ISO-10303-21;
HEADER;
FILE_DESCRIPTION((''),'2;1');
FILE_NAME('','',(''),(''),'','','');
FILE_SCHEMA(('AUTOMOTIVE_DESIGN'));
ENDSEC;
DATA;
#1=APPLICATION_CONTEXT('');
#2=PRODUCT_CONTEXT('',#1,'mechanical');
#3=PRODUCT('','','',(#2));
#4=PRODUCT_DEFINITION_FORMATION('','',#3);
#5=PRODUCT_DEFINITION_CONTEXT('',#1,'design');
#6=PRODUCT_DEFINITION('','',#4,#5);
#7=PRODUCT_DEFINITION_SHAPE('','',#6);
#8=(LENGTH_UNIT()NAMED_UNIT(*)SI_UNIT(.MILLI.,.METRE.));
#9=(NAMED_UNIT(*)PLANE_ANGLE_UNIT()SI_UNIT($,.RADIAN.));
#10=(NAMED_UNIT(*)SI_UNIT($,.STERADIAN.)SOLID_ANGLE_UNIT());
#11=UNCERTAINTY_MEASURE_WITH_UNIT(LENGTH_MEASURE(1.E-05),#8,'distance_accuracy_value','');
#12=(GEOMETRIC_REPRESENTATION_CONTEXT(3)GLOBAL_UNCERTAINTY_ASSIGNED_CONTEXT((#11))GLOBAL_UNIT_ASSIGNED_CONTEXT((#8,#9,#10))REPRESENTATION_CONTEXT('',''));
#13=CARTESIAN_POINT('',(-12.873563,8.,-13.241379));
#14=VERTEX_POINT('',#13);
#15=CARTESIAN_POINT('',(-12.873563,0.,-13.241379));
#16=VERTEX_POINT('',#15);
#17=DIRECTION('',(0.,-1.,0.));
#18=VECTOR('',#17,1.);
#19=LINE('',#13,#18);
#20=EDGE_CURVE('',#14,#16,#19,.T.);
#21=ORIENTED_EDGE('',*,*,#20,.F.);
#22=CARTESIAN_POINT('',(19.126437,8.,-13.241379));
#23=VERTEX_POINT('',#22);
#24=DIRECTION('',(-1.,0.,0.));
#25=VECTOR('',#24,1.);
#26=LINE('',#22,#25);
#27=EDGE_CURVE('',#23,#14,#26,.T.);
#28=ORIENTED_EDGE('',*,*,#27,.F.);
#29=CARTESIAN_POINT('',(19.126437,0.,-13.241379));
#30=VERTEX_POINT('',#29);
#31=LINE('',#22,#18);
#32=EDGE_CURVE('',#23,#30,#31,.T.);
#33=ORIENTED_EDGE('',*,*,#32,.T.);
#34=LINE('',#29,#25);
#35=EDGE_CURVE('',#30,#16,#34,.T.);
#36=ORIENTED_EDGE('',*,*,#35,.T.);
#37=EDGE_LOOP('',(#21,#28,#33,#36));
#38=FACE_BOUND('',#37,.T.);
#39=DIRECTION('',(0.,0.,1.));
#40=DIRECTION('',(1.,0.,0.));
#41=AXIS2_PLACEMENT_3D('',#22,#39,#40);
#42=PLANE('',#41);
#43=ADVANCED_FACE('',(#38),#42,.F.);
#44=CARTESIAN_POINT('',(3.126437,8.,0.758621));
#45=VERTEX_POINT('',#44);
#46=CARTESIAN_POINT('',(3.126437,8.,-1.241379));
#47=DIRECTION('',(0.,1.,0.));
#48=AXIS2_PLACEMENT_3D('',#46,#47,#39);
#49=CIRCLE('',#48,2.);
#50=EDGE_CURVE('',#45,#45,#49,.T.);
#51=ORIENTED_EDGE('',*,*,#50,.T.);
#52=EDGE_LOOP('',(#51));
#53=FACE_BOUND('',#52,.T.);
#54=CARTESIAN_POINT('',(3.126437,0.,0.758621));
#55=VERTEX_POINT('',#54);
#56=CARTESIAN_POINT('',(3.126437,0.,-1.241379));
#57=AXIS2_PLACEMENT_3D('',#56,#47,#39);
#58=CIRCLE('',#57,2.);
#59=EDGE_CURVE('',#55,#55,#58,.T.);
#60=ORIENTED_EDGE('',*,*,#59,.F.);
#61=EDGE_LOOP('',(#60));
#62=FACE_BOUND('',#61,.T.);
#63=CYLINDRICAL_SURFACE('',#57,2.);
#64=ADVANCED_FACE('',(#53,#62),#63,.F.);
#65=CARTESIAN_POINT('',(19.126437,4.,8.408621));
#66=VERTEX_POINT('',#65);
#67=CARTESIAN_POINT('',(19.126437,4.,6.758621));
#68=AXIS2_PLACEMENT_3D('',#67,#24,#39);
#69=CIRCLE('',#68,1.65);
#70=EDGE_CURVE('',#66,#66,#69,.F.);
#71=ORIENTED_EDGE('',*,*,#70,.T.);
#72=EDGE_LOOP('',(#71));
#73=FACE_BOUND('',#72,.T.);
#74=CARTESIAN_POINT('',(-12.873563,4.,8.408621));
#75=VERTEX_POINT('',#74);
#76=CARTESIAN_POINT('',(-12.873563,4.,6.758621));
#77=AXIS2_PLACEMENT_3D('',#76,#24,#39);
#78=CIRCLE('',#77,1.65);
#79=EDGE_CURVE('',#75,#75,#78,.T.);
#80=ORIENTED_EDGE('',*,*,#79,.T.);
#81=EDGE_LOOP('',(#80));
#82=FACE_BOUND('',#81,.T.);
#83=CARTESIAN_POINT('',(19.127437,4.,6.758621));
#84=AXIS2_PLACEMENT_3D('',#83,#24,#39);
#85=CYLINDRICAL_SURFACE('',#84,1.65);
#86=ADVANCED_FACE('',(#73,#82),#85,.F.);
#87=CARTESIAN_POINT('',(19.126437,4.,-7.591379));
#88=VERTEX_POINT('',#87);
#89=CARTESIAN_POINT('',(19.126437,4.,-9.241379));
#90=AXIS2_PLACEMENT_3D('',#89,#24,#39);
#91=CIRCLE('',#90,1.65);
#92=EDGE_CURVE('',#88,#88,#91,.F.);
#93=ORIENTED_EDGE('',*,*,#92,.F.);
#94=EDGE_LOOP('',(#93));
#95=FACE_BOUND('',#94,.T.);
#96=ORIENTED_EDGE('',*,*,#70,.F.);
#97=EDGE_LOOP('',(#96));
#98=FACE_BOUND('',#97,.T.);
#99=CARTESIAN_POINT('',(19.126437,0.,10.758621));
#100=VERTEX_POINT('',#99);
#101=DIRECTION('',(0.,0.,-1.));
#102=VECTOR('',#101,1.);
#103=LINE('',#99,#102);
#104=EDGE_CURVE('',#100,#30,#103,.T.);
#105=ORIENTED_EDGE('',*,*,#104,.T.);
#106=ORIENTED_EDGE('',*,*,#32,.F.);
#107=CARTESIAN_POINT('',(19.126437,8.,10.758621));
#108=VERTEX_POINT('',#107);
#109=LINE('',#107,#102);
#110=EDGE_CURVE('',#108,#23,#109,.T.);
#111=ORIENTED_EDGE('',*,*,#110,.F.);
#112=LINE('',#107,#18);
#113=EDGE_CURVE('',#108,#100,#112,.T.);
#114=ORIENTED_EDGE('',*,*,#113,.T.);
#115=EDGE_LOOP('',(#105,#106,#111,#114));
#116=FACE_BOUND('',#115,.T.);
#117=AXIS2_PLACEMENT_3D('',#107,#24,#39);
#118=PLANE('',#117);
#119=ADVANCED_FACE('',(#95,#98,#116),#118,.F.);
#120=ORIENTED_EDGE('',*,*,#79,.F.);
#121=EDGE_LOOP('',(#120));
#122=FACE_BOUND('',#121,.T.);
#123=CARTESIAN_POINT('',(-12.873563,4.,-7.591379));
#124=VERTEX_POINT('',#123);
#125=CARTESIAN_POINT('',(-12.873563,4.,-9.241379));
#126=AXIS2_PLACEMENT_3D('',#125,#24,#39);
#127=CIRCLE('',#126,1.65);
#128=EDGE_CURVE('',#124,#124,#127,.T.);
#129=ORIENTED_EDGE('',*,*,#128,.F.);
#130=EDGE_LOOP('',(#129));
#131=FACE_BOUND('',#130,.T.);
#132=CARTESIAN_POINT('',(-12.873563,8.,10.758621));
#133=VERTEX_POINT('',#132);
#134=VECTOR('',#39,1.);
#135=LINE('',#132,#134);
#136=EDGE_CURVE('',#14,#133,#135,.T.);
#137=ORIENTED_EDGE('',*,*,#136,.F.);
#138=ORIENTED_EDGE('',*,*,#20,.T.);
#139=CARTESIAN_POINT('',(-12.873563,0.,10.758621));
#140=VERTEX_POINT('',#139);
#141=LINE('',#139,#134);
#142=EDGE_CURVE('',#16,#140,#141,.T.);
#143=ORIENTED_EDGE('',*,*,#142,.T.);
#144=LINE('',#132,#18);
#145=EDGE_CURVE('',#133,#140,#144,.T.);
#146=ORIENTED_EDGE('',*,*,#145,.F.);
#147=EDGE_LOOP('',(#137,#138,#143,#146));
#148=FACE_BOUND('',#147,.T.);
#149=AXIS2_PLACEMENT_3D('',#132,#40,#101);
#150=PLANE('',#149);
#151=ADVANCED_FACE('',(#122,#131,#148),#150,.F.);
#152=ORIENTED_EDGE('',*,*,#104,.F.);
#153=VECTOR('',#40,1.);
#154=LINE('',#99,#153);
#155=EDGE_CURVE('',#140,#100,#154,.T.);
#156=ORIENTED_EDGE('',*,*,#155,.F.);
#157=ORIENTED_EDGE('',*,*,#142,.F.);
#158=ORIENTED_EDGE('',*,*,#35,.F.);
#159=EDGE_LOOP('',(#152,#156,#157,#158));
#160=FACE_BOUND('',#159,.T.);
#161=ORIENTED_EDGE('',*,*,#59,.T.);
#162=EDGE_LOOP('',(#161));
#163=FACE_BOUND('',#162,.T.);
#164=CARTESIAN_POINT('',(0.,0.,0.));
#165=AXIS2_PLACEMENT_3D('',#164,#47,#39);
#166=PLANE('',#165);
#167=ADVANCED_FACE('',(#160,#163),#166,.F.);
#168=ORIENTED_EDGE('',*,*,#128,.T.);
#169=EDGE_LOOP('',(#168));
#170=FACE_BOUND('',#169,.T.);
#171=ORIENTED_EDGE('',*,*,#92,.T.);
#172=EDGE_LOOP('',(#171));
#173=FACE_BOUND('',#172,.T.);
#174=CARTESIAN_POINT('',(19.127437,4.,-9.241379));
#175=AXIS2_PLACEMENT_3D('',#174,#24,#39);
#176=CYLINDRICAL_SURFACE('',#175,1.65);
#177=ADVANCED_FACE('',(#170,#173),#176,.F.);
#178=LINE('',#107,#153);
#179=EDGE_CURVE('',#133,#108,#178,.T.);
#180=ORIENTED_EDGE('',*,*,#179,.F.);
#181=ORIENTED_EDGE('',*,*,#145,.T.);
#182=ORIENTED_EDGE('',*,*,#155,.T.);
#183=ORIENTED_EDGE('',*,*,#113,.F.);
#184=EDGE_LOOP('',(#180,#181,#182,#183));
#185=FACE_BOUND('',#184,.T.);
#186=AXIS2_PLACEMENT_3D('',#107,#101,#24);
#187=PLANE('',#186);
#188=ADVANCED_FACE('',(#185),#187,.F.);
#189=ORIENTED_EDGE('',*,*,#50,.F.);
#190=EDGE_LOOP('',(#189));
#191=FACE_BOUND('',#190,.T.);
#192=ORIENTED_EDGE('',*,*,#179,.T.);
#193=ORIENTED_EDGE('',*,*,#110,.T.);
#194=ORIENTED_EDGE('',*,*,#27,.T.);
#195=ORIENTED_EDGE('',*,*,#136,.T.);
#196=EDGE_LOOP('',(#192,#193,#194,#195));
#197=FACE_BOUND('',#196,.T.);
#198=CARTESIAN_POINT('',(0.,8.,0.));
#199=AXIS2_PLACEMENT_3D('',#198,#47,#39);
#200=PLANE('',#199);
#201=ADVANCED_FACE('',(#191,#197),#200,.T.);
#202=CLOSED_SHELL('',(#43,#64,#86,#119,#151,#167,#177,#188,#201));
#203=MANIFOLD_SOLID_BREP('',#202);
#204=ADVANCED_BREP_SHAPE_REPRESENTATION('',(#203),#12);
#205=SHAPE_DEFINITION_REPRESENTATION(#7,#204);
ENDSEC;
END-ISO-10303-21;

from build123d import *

# Parameters (mm, degrees)
ESQUISSE1_W             = 32
ESQUISSE1_H             = 24
BOSS_EXTRU_1_DEPTH      = 8
ESQUISSE2_R             = 2
ENL_V_MAT_EXTRU_1_DEPTH = 8
ENL_V_MAT_EXTRU_2_REACH = 37.543
ESQUISSE3_R             = 1.65
ENL_V_MAT_EXTRU_3_REACH = 37.543
ESQUISSE4_R             = 1.65


with BuildPart() as part:
    # Esquisse1 → Boss.-Extru.1 (new body)
    with BuildSketch(Plane(origin=(0, 0, 0), x_dir=(1, 0, 0), z_dir=(0, 1, 0))):
        with Locations((3.126436782, 1.24137931)):
            Rectangle(ESQUISSE1_W, ESQUISSE1_H)
    extrude(amount=BOSS_EXTRU_1_DEPTH)

    # Esquisse2 → Enlèv. mat.-Extru.1 (cut)
    with BuildSketch(Plane(origin=(0, 8, 0), x_dir=(1, 0, 0), z_dir=(0, 1, 0))):
        with Locations(Location((3.126436782, 1.24137931, 0), (0, 0, 270))):
            Circle(ESQUISSE2_R)
    extrude(amount=-ENL_V_MAT_EXTRU_1_DEPTH, mode=Mode.SUBTRACT)

    # Esquisse3 → Enlèv. mat.-Extru.2 (cut, up to next)
    with BuildSketch(Plane.ZY.offset(12.873563218), mode=Mode.PRIVATE) as enl_v_mat_extru_2_sk1:
        with Locations((-9.24137931, 4)):
            Circle(ESQUISSE3_R)
    enl_v_mat_extru_2_tool1 = extrude(enl_v_mat_extru_2_sk1.sketch, amount=-ENL_V_MAT_EXTRU_2_REACH, mode=Mode.PRIVATE) & part.part
    add(enl_v_mat_extru_2_tool1.solids().sort_by_distance((-12.873563, 4, -9.241379))[0], mode=Mode.SUBTRACT)

    # Esquisse4 → Enlèv. mat.-Extru.3 (cut, up to next)
    with BuildSketch(Plane.ZY.offset(12.873563218), mode=Mode.PRIVATE) as enl_v_mat_extru_3_sk1:
        with Locations((6.75862069, 4)):
            Circle(ESQUISSE4_R)
    enl_v_mat_extru_3_tool1 = extrude(enl_v_mat_extru_3_sk1.sketch, amount=-ENL_V_MAT_EXTRU_3_REACH, mode=Mode.PRIVATE) & part.part
    add(enl_v_mat_extru_3_tool1.solids().sort_by_distance((-12.873563, 4, 6.758621))[0], mode=Mode.SUBTRACT)


solid = part.part
